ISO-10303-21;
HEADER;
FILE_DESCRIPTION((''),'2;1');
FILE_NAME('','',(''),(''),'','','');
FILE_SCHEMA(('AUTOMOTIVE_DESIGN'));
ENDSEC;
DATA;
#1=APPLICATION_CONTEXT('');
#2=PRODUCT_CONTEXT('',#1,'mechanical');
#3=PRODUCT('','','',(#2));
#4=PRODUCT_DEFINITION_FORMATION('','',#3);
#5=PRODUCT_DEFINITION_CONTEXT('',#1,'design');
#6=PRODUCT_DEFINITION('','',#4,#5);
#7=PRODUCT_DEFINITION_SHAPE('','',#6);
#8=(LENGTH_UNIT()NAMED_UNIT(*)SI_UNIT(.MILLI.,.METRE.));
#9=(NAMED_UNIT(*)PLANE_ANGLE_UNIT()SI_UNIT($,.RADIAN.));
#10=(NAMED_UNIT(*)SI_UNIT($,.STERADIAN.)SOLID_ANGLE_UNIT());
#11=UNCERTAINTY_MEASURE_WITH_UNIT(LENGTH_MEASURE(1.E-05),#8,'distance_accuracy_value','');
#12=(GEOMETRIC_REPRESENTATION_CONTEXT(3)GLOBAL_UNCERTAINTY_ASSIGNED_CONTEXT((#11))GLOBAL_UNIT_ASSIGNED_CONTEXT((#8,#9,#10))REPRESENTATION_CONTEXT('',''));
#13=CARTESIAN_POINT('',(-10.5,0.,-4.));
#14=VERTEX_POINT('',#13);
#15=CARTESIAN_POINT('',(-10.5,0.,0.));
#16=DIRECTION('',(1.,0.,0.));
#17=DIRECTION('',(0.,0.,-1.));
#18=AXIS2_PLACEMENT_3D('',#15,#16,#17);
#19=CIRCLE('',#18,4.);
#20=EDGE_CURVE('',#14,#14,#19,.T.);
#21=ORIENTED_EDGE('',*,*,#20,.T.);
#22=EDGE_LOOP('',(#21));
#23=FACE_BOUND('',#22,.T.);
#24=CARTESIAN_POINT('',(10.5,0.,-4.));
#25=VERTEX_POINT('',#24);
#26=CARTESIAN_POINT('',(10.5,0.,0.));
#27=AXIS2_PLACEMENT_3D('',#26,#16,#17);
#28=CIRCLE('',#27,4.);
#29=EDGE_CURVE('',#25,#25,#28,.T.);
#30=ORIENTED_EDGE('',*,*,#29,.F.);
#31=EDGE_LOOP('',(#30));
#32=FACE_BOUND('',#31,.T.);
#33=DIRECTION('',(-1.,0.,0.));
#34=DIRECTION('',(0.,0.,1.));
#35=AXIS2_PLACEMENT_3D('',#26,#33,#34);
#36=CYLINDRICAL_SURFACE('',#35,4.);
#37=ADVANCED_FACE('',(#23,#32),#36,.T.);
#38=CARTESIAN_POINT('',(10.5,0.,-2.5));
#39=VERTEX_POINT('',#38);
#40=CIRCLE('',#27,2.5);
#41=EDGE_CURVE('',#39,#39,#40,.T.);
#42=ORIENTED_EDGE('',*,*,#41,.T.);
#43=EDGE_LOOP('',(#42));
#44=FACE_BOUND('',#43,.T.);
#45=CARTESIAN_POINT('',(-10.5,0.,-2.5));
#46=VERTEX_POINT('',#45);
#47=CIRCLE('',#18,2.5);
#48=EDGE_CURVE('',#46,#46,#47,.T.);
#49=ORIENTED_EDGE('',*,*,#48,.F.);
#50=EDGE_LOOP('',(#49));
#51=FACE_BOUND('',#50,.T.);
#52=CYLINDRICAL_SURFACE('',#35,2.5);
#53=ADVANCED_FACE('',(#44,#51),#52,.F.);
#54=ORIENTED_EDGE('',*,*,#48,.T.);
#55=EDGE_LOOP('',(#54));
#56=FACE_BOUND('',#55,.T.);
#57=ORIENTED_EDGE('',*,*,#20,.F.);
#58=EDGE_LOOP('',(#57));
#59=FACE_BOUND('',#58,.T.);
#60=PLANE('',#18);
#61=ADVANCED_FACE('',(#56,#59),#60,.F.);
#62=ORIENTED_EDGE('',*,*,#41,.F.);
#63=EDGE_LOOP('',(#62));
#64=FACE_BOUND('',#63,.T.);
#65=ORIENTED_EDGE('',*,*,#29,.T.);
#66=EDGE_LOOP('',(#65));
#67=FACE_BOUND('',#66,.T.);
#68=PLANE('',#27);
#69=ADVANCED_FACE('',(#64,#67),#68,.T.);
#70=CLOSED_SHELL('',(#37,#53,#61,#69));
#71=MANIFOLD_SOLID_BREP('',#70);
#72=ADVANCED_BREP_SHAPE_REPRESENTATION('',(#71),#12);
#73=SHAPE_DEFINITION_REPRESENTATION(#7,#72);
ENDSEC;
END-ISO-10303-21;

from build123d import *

# Parameters (mm, degrees)
SKETCH1_R           = 4
SKETCH1_R_2         = 2.5
BOSS_EXTRUDE1_DEPTH = 10.5


with BuildPart() as part:
    # Sketch1 → Boss-Extrude1 (new body, symmetric)
    with BuildSketch(Plane(origin=(0, 0, 0), x_dir=(0, 0, -1), z_dir=(1, 0, 0))):
        Circle(SKETCH1_R)
        Circle(SKETCH1_R_2, mode=Mode.SUBTRACT)
    extrude(amount=BOSS_EXTRUDE1_DEPTH, both=True)


solid = part.part
